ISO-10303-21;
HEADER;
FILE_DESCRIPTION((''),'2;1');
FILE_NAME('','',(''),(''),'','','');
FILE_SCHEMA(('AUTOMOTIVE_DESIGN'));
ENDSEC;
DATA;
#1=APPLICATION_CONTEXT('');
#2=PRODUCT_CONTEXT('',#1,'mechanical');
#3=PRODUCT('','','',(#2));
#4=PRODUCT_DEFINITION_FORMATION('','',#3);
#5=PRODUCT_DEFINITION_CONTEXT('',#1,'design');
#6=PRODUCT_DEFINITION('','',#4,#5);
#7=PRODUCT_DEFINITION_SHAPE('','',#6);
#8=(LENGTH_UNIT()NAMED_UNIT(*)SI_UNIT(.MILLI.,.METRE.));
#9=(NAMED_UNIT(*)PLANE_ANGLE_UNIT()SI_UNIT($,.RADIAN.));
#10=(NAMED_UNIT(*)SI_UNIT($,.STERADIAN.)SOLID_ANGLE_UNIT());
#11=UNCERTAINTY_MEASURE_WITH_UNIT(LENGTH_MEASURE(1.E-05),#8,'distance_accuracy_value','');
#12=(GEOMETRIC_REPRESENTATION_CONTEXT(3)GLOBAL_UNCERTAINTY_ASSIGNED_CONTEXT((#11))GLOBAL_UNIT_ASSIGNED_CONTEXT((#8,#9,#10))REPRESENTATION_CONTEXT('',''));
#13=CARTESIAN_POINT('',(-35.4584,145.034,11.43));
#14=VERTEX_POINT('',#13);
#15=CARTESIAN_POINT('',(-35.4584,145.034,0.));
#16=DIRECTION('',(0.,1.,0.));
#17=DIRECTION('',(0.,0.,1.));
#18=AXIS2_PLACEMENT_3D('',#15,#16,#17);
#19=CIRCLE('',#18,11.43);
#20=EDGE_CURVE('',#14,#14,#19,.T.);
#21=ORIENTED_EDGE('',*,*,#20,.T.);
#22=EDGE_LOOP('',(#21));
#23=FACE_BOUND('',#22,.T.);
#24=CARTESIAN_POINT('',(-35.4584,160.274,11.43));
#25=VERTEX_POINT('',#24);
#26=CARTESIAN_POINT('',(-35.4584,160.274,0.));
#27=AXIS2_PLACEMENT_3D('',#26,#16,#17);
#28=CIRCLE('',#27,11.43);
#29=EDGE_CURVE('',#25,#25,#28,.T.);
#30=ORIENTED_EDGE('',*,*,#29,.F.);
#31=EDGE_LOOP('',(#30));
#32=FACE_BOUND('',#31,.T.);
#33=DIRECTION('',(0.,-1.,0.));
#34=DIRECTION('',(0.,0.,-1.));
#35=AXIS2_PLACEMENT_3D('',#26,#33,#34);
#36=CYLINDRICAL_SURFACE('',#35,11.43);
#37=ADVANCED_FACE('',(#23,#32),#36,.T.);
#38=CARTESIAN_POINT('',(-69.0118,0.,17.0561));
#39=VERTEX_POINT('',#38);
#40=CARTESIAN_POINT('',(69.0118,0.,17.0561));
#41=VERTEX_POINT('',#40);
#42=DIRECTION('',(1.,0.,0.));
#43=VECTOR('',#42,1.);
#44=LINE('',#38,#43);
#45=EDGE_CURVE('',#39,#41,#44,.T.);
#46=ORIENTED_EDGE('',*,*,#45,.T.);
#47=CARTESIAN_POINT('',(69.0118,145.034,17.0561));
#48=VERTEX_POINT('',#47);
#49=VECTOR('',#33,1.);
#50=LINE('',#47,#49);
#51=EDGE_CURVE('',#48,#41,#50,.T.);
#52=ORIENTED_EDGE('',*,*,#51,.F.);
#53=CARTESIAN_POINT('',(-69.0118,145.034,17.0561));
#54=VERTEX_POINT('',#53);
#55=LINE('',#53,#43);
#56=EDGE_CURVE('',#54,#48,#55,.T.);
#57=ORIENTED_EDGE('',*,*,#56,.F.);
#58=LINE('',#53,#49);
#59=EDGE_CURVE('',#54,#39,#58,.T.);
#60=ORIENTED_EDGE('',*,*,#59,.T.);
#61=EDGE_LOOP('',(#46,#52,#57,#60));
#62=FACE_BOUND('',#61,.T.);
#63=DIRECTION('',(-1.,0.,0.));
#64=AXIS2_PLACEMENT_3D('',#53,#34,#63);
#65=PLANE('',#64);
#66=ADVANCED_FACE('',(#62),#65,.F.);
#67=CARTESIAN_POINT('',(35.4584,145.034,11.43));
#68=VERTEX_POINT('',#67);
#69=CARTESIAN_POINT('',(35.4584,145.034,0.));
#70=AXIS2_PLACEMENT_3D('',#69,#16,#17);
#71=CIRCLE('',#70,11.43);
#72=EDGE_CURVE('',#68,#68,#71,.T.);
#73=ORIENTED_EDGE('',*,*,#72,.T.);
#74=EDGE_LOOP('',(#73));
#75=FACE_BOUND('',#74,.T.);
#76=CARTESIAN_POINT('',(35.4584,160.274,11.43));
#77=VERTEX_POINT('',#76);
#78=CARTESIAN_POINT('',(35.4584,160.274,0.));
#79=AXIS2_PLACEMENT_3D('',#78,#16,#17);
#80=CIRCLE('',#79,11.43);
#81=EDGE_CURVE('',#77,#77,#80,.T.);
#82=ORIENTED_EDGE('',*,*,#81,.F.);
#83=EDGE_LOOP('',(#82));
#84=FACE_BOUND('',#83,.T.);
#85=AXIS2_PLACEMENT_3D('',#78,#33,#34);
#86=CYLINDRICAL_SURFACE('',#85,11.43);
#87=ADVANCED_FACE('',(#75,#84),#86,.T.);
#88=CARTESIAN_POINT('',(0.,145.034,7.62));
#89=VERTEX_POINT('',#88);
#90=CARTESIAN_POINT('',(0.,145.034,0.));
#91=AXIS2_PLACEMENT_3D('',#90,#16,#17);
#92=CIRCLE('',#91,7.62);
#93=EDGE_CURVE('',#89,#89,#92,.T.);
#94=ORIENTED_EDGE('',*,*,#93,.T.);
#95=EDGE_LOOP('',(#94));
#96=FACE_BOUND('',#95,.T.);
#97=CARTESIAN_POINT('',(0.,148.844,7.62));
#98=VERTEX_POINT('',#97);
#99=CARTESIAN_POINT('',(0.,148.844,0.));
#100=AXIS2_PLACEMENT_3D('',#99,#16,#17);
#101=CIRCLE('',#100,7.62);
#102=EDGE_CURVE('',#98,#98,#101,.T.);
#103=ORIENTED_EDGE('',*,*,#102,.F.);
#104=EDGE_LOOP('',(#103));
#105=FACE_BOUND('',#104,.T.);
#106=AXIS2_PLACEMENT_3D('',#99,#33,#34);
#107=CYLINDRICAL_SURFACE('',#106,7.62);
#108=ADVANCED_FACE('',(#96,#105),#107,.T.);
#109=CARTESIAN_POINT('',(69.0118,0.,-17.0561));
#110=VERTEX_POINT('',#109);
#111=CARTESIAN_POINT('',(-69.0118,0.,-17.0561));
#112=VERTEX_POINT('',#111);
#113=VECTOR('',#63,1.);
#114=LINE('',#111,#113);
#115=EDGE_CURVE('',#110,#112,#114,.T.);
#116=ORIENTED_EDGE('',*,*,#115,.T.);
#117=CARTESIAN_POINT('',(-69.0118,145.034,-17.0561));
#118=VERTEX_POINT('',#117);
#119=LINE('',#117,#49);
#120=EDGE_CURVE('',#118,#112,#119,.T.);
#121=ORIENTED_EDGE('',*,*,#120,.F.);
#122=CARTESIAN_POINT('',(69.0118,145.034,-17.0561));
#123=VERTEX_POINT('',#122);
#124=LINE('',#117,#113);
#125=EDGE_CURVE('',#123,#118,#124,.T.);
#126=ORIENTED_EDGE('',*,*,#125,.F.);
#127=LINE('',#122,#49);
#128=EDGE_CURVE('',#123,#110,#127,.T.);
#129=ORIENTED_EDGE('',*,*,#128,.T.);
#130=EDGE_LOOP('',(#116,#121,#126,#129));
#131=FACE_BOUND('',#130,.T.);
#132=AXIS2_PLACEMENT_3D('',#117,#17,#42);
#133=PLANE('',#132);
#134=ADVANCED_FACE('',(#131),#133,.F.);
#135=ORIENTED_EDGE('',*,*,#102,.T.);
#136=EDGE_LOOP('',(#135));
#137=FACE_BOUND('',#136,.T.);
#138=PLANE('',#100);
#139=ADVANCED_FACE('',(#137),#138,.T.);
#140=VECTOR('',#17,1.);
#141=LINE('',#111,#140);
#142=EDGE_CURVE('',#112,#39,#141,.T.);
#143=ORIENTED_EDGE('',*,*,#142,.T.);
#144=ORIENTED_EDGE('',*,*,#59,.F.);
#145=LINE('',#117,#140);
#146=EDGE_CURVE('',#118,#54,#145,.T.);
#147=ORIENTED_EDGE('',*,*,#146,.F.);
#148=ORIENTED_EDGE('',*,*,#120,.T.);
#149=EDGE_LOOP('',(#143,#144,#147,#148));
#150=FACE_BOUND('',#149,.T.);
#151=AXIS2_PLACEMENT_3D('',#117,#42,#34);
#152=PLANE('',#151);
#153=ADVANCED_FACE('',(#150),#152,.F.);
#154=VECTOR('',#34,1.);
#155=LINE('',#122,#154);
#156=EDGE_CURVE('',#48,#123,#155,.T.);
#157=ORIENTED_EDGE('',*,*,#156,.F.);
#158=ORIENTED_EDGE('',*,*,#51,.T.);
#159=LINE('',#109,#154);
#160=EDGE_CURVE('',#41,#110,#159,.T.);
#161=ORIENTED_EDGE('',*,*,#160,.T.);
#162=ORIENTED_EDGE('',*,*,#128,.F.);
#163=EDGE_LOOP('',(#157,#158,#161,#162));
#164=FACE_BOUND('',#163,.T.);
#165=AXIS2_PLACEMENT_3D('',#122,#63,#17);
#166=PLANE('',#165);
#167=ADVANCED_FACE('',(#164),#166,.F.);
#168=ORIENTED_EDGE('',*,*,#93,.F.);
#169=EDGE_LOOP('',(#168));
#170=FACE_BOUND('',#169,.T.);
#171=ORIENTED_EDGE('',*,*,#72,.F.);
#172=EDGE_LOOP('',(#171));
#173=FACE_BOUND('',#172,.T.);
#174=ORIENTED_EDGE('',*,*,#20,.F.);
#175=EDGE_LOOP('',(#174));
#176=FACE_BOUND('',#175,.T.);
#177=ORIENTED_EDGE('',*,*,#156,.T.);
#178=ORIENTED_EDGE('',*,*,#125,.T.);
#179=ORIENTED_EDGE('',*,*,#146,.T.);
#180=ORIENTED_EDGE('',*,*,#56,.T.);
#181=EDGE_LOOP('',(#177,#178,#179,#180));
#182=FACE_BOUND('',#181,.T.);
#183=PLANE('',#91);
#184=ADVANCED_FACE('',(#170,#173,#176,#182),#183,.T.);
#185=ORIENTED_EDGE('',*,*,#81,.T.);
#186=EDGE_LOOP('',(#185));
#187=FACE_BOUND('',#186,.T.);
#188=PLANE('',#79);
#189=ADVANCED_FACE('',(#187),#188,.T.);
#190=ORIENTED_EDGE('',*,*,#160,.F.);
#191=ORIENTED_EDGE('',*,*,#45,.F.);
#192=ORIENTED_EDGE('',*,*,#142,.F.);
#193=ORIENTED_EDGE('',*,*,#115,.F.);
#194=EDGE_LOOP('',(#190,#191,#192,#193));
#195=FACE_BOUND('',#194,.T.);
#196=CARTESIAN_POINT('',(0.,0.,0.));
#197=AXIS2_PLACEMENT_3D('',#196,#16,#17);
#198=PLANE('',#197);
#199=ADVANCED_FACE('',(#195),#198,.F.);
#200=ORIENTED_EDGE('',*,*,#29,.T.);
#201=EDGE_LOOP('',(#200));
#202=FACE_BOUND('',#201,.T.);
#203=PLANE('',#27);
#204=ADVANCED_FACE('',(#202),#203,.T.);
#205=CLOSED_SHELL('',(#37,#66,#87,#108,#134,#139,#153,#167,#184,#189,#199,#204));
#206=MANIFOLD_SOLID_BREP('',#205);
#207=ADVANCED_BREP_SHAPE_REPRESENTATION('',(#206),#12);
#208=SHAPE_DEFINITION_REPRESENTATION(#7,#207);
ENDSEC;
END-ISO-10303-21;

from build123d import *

# Parameters (mm, degrees)
SKETCH1_W           = 138.0236
SKETCH1_H           = 34.1122
BOSS_EXTRUDE1_DEPTH = 145.034
SKETCH2_R           = 11.43
BOSS_EXTRUDE2_DEPTH = 15.24
SKETCH3_R           = 7.62
BOSS_EXTRUDE3_DEPTH = 3.81


with BuildPart() as part:
    # Sketch1 → Boss-Extrude1 (new body)
    with BuildSketch(Plane(origin=(0, 0, 0), x_dir=(1, 0, 0), z_dir=(0, 1, 0))):
        Rectangle(SKETCH1_W, SKETCH1_H)
    extrude(amount=BOSS_EXTRUDE1_DEPTH)

    # Sketch2 → Boss-Extrude2 (add)
    with BuildSketch(Plane(origin=(0, 145.034, 0), x_dir=(1, 0, 0), z_dir=(0, 1, 0))):
        with Locations((-35.4584, 0)):
            Circle(SKETCH2_R)
        with Locations((35.4584, 0)):
            Circle(SKETCH2_R)
    extrude(amount=BOSS_EXTRUDE2_DEPTH)

    # Sketch3 → Boss-Extrude3 (add)
    with BuildSketch(Plane(origin=(0, 145.034, 0), x_dir=(1, 0, 0), z_dir=(0, 1, 0))):
        Circle(SKETCH3_R)
    extrude(amount=BOSS_EXTRUDE3_DEPTH)


solid = part.part
